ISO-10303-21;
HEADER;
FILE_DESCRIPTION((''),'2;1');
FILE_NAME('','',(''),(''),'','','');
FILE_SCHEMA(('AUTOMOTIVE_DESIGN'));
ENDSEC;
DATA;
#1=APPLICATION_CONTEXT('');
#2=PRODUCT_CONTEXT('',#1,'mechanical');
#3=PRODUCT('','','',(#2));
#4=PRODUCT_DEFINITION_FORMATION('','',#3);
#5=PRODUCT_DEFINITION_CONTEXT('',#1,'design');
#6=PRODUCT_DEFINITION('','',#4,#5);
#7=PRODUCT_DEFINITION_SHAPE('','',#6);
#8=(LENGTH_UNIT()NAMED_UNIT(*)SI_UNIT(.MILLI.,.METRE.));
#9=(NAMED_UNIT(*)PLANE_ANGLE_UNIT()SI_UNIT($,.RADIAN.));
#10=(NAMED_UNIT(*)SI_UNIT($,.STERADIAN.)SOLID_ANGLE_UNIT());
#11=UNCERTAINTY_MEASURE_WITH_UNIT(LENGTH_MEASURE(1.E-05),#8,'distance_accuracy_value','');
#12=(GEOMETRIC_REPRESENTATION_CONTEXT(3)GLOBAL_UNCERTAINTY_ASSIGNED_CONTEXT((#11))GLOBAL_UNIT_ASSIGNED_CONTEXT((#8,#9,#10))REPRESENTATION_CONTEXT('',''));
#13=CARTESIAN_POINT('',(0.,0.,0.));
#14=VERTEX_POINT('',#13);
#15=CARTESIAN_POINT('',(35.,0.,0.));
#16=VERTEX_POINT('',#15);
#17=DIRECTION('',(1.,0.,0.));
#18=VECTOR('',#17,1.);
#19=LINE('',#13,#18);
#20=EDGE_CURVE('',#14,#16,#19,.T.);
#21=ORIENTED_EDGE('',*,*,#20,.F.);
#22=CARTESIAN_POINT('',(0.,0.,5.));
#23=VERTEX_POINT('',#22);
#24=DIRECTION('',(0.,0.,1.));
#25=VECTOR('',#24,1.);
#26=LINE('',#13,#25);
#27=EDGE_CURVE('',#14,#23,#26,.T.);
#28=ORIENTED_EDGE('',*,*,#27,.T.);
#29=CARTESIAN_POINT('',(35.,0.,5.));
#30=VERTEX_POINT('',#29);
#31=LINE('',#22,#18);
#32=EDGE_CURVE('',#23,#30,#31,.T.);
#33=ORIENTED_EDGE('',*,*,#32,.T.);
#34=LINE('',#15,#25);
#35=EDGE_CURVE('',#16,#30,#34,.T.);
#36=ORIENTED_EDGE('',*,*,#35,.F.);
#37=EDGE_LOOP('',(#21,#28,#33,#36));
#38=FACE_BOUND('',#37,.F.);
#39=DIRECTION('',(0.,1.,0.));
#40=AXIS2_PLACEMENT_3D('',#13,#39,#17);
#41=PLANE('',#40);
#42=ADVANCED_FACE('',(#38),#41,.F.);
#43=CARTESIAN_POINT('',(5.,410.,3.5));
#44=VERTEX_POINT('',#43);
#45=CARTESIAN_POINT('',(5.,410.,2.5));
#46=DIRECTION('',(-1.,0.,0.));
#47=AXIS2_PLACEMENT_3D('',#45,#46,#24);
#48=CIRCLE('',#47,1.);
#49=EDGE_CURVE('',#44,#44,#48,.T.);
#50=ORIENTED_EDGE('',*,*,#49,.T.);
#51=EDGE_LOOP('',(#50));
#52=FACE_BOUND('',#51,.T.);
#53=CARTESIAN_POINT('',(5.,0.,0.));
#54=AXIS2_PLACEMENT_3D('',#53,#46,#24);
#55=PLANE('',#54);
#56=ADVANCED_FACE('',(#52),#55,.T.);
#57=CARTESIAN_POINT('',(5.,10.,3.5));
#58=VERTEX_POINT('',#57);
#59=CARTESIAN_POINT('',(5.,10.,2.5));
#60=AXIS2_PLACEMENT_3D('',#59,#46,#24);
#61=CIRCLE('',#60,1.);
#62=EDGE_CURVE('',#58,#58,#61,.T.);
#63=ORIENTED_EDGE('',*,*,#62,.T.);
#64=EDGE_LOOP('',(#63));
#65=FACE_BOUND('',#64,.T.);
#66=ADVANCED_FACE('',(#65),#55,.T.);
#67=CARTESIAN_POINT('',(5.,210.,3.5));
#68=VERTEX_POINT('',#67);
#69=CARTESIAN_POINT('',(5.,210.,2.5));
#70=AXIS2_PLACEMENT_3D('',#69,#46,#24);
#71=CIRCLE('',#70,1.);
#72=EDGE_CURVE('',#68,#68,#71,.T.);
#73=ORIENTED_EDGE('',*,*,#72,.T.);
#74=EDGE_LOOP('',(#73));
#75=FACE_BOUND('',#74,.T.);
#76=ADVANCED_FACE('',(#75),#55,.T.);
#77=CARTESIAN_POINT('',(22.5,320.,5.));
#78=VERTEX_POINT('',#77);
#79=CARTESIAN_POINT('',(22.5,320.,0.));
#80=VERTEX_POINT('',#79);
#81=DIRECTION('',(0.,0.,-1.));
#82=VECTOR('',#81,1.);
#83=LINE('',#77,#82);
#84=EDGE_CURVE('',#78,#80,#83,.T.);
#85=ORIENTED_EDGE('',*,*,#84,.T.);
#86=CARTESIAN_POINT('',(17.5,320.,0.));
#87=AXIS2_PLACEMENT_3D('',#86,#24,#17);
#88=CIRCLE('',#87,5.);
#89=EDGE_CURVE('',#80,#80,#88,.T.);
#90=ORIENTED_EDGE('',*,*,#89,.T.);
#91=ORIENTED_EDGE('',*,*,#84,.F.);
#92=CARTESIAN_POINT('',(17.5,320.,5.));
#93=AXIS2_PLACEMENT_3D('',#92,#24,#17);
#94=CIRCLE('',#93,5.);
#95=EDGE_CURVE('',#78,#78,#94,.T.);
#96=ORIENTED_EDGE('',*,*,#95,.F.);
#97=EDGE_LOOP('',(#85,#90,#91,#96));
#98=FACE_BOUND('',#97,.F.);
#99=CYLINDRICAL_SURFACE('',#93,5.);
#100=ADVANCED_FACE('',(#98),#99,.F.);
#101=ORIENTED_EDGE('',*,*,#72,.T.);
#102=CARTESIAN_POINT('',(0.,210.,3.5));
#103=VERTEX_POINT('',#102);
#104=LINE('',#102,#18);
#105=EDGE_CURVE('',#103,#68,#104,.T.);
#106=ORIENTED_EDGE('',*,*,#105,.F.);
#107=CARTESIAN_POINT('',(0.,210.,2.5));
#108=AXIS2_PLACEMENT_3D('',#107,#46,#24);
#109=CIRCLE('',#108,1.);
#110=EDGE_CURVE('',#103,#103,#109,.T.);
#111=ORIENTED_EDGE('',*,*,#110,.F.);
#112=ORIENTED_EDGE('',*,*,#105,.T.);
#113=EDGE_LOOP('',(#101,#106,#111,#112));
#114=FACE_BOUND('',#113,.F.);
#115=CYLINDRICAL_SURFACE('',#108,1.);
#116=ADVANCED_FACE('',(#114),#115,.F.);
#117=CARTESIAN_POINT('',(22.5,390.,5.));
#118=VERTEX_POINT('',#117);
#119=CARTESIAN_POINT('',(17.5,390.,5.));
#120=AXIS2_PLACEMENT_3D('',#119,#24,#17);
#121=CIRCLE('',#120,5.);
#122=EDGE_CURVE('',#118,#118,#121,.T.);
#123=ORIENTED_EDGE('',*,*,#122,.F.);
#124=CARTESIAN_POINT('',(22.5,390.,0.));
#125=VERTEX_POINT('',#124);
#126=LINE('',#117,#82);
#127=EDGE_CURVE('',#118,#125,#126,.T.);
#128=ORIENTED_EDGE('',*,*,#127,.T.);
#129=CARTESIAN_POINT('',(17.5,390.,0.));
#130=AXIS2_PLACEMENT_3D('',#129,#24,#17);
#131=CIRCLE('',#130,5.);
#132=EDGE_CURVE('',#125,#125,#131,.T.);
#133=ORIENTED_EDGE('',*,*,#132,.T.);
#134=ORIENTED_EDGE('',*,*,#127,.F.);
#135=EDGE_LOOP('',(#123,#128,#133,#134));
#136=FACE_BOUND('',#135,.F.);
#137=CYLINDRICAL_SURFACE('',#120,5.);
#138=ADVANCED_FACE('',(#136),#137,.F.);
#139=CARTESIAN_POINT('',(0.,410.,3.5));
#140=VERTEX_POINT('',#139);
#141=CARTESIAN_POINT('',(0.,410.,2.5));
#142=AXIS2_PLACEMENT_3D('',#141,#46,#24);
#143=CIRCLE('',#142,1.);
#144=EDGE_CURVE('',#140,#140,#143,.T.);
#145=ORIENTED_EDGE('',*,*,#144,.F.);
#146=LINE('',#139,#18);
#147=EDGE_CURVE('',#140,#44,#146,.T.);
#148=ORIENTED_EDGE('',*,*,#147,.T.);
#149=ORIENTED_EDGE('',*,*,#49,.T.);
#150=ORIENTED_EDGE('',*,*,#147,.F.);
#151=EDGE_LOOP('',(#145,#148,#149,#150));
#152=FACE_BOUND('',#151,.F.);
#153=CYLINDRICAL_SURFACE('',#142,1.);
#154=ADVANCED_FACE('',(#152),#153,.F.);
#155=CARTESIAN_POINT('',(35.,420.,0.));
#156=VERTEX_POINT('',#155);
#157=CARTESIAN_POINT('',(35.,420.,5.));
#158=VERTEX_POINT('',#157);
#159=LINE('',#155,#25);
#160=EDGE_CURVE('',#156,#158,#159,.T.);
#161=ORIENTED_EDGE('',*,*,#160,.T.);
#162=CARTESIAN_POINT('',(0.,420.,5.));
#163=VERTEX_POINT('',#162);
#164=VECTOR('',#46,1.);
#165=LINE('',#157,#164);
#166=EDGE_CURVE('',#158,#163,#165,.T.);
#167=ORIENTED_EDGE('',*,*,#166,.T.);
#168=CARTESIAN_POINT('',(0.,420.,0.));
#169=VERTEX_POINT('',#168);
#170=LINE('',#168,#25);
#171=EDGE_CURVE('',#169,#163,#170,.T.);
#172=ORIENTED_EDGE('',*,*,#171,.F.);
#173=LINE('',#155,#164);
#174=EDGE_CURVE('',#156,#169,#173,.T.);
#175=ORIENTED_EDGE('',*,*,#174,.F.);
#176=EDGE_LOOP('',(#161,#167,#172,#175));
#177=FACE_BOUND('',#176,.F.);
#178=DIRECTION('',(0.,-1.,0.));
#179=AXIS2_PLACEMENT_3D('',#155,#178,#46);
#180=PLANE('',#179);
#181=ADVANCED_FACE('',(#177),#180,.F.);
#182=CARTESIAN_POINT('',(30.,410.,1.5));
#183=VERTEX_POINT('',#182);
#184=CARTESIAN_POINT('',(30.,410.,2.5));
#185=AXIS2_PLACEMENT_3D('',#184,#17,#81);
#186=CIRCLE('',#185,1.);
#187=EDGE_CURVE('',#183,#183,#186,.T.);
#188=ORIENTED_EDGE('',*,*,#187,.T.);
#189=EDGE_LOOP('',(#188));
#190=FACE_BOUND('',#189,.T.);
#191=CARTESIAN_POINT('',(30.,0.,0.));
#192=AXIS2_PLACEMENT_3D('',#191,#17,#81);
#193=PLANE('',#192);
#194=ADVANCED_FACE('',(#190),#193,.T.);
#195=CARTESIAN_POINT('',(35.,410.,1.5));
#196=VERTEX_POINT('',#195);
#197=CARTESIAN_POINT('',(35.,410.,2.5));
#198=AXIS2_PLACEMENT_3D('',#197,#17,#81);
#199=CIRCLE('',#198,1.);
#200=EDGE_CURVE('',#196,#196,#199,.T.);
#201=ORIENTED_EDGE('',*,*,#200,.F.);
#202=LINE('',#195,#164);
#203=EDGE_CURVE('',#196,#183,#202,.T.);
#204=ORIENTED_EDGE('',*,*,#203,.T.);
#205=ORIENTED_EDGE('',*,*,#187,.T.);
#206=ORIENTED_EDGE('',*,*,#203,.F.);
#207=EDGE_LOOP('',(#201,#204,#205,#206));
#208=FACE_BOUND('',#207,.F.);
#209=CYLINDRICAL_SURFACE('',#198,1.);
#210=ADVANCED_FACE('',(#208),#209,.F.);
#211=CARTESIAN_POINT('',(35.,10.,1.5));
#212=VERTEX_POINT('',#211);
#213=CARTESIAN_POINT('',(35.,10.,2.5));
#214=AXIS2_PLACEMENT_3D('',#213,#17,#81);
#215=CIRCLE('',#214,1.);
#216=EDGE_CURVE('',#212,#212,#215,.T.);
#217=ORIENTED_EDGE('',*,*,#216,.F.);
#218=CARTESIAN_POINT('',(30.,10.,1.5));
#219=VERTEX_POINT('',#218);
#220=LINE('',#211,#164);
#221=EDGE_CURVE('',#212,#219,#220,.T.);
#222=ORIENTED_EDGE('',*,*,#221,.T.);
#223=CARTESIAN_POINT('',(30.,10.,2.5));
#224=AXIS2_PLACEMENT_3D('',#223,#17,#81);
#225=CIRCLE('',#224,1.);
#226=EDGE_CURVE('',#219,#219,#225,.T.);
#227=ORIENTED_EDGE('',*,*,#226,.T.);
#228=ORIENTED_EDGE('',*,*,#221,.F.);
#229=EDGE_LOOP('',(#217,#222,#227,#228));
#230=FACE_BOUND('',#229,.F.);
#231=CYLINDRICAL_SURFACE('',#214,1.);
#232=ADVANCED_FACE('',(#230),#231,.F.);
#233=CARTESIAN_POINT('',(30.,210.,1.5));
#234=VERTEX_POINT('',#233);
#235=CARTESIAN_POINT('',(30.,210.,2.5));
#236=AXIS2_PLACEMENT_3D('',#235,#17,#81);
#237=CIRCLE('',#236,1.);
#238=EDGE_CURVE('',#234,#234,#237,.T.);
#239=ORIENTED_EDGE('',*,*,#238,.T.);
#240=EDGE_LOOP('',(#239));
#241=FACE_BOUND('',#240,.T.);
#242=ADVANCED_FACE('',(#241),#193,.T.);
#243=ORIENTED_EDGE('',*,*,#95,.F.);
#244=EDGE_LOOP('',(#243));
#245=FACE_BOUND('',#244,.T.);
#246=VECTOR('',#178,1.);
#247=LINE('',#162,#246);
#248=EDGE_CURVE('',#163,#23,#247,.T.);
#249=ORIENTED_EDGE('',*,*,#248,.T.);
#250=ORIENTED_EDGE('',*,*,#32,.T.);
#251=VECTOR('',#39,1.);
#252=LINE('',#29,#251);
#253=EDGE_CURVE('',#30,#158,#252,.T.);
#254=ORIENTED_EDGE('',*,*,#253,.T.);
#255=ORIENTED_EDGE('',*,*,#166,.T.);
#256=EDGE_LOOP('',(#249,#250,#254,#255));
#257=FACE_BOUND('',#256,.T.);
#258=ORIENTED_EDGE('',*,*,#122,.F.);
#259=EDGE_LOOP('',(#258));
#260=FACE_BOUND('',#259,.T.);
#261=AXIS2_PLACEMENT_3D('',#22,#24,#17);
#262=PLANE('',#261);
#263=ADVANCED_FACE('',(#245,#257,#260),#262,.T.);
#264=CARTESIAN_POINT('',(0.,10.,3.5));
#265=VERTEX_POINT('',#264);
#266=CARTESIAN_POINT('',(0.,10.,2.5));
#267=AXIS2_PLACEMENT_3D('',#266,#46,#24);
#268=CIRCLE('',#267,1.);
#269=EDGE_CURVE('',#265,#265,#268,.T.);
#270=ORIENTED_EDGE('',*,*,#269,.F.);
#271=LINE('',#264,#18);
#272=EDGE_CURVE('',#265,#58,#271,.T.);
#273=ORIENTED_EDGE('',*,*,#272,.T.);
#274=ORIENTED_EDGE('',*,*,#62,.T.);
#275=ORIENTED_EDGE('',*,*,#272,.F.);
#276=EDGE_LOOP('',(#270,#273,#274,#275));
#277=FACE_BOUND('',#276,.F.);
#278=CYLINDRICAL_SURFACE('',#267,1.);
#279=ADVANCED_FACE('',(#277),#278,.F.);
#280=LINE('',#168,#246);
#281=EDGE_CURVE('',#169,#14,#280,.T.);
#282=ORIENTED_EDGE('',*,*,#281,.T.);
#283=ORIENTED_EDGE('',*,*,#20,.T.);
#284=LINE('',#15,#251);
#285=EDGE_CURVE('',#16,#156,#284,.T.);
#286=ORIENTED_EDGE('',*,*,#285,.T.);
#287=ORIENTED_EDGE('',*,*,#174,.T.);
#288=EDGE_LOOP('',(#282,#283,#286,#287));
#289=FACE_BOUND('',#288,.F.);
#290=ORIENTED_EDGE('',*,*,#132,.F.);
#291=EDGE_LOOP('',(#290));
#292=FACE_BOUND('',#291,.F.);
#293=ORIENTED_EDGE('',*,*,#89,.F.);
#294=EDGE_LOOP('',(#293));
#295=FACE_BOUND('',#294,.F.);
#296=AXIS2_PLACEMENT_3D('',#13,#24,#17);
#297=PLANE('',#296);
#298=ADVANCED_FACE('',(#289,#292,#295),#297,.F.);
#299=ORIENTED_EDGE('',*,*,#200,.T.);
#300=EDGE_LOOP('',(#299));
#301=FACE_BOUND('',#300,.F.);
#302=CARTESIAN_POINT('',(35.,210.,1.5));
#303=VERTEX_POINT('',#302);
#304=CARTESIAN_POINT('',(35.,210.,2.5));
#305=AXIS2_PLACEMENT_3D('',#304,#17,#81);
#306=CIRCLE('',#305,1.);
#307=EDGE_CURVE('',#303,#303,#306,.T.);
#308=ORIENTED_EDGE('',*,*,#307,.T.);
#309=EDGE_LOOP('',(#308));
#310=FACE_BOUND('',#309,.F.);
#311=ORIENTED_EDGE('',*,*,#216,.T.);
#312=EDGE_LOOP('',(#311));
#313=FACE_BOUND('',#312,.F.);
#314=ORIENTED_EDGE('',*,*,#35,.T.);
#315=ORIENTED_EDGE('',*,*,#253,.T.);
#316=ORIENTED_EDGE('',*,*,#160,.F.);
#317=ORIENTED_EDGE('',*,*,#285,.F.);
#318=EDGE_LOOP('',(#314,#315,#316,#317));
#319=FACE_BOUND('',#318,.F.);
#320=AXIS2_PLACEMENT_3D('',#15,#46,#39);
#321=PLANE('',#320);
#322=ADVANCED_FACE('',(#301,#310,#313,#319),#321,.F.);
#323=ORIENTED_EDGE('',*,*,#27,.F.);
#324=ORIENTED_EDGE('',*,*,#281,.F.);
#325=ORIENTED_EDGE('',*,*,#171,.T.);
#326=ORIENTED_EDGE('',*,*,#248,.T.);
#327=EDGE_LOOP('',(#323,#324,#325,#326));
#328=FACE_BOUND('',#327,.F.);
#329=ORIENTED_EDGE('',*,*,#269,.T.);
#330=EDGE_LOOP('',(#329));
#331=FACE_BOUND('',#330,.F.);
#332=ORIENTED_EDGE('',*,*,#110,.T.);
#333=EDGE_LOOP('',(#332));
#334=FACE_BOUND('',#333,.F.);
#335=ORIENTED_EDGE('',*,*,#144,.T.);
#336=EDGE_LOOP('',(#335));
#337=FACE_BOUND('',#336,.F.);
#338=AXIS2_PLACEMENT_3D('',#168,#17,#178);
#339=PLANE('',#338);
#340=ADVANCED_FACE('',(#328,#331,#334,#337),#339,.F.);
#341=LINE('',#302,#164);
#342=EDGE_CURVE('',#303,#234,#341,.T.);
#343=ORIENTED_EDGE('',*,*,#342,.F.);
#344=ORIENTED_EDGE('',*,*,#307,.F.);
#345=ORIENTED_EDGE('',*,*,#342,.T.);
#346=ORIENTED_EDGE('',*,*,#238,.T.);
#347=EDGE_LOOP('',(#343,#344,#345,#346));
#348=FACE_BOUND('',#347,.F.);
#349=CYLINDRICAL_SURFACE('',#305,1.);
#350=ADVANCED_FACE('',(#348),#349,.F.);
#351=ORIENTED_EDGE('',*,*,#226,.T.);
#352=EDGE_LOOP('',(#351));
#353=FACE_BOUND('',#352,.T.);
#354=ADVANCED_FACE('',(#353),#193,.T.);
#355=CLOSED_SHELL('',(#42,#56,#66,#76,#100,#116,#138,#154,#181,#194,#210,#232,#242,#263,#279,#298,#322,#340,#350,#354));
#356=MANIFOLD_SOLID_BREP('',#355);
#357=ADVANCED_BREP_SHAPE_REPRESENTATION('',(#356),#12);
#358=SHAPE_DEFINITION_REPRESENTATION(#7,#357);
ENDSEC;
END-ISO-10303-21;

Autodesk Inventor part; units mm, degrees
ref_plane "YZ Plane" through (0, 0, 0) normal (1, 0, 0) x (0, 1, 0)
ref_plane "XZ Plane" through (0, 0, 0) normal (0, 1, 0) x (-1, 0, 0)
ref_plane "XY Plane" through (0, 0, 0) normal (0, 0, 1) x (1, 0, 0)
sketch "Sketch1" plane through (0, 0, 0) normal (0, 0, 1) x (1, 0, 0)
  line L0 (0, 0) -> (35, 0)
  line L1 (35, 0) -> (35, 420)
  line L2 (35, 420) -> (0, 420)
  line L3 (0, 420) -> (0, 0)
  dimension "d0" = 35
  dimension "d1" = 420
extrude "Extrusion1" add sketch "Sketch1" along normal blind 5
sketch "Sketch2" plane through (35, 0, 0) normal (1, 0, 0) x (0, 0, -1)
  circle A0 centre (-2.5, 410) radius 1
  circle A1 centre (-2.5, 210) radius 1
  circle A2 centre (-2.5, 10) radius 1
  line L0 (-5, 0) -> (-5, 420) projected
  line L1 (0, 420) -> (-5, 420) projected
  point P0 (0, 0)
  dimension "d4" = 2
  dimension "d5" = 2
  dimension "d6" = 2
  dimension "d7" = 2.5
  dimension "d8" = 2.5
  dimension "d9" = 2.5
  dimension "d10" = 10
  dimension "d11" = 210
  dimension "d12" = 410
extrude "Extrusion2" cut sketch "Sketch2" against normal blind 5
sketch "Sketch3" plane through (0, 0, 0) normal (-1, 0, 0) x (0, 0, 1)
  circle A0 centre (2.5, 10) radius 1
  circle A1 centre (2.5, 210) radius 1
  circle A2 centre (2.5, 410) radius 1
  line L0 (0, 420) -> (0, 0) projected
  line L1 (0, 420) -> (5, 420) projected
  dimension "d15" = 2
  dimension "d16" = 2.5
  dimension "d17" = 10
  dimension "d18" = 2
  dimension "d19" = 2.5
  dimension "d20" = 210
  dimension "d21" = 2
  dimension "d22" = 2.5
  dimension "d23" = 410
extrude "Extrusion3" cut sketch "Sketch3" against normal blind 5
sketch "Skizze4" plane through (0, 0, 5) normal (0, 0, 1) x (1, 0, 0)
  circle A0 centre (17.5, 320) radius 5
  circle A1 centre (17.5, 390) radius 5
  line L0 (0, 420) -> (0, 0) projected
  line L1 (0, 0) -> (35, 0) projected
  line L2 (35, 420) -> (0, 420) projected
  line L3 (17.5, 420) -> (17.5, 320) construction
  dimension "d26" = 17.5
  dimension "d27" = 17.5
  dimension "d29" = 70
  dimension "d32" = 30
  dimension "d33" = 10
extrude "Extrusion4" cut sketch "Skizze4" against normal blind 35
equation "\"d29\" = VerticalDistance"
equation "\"d30\" = d28"
equation "\"VerticalDistance\" = 70"
equation "\"d28\" = 35"
properties part number "Side plate profile" material "Acetalharz, Weiß"
